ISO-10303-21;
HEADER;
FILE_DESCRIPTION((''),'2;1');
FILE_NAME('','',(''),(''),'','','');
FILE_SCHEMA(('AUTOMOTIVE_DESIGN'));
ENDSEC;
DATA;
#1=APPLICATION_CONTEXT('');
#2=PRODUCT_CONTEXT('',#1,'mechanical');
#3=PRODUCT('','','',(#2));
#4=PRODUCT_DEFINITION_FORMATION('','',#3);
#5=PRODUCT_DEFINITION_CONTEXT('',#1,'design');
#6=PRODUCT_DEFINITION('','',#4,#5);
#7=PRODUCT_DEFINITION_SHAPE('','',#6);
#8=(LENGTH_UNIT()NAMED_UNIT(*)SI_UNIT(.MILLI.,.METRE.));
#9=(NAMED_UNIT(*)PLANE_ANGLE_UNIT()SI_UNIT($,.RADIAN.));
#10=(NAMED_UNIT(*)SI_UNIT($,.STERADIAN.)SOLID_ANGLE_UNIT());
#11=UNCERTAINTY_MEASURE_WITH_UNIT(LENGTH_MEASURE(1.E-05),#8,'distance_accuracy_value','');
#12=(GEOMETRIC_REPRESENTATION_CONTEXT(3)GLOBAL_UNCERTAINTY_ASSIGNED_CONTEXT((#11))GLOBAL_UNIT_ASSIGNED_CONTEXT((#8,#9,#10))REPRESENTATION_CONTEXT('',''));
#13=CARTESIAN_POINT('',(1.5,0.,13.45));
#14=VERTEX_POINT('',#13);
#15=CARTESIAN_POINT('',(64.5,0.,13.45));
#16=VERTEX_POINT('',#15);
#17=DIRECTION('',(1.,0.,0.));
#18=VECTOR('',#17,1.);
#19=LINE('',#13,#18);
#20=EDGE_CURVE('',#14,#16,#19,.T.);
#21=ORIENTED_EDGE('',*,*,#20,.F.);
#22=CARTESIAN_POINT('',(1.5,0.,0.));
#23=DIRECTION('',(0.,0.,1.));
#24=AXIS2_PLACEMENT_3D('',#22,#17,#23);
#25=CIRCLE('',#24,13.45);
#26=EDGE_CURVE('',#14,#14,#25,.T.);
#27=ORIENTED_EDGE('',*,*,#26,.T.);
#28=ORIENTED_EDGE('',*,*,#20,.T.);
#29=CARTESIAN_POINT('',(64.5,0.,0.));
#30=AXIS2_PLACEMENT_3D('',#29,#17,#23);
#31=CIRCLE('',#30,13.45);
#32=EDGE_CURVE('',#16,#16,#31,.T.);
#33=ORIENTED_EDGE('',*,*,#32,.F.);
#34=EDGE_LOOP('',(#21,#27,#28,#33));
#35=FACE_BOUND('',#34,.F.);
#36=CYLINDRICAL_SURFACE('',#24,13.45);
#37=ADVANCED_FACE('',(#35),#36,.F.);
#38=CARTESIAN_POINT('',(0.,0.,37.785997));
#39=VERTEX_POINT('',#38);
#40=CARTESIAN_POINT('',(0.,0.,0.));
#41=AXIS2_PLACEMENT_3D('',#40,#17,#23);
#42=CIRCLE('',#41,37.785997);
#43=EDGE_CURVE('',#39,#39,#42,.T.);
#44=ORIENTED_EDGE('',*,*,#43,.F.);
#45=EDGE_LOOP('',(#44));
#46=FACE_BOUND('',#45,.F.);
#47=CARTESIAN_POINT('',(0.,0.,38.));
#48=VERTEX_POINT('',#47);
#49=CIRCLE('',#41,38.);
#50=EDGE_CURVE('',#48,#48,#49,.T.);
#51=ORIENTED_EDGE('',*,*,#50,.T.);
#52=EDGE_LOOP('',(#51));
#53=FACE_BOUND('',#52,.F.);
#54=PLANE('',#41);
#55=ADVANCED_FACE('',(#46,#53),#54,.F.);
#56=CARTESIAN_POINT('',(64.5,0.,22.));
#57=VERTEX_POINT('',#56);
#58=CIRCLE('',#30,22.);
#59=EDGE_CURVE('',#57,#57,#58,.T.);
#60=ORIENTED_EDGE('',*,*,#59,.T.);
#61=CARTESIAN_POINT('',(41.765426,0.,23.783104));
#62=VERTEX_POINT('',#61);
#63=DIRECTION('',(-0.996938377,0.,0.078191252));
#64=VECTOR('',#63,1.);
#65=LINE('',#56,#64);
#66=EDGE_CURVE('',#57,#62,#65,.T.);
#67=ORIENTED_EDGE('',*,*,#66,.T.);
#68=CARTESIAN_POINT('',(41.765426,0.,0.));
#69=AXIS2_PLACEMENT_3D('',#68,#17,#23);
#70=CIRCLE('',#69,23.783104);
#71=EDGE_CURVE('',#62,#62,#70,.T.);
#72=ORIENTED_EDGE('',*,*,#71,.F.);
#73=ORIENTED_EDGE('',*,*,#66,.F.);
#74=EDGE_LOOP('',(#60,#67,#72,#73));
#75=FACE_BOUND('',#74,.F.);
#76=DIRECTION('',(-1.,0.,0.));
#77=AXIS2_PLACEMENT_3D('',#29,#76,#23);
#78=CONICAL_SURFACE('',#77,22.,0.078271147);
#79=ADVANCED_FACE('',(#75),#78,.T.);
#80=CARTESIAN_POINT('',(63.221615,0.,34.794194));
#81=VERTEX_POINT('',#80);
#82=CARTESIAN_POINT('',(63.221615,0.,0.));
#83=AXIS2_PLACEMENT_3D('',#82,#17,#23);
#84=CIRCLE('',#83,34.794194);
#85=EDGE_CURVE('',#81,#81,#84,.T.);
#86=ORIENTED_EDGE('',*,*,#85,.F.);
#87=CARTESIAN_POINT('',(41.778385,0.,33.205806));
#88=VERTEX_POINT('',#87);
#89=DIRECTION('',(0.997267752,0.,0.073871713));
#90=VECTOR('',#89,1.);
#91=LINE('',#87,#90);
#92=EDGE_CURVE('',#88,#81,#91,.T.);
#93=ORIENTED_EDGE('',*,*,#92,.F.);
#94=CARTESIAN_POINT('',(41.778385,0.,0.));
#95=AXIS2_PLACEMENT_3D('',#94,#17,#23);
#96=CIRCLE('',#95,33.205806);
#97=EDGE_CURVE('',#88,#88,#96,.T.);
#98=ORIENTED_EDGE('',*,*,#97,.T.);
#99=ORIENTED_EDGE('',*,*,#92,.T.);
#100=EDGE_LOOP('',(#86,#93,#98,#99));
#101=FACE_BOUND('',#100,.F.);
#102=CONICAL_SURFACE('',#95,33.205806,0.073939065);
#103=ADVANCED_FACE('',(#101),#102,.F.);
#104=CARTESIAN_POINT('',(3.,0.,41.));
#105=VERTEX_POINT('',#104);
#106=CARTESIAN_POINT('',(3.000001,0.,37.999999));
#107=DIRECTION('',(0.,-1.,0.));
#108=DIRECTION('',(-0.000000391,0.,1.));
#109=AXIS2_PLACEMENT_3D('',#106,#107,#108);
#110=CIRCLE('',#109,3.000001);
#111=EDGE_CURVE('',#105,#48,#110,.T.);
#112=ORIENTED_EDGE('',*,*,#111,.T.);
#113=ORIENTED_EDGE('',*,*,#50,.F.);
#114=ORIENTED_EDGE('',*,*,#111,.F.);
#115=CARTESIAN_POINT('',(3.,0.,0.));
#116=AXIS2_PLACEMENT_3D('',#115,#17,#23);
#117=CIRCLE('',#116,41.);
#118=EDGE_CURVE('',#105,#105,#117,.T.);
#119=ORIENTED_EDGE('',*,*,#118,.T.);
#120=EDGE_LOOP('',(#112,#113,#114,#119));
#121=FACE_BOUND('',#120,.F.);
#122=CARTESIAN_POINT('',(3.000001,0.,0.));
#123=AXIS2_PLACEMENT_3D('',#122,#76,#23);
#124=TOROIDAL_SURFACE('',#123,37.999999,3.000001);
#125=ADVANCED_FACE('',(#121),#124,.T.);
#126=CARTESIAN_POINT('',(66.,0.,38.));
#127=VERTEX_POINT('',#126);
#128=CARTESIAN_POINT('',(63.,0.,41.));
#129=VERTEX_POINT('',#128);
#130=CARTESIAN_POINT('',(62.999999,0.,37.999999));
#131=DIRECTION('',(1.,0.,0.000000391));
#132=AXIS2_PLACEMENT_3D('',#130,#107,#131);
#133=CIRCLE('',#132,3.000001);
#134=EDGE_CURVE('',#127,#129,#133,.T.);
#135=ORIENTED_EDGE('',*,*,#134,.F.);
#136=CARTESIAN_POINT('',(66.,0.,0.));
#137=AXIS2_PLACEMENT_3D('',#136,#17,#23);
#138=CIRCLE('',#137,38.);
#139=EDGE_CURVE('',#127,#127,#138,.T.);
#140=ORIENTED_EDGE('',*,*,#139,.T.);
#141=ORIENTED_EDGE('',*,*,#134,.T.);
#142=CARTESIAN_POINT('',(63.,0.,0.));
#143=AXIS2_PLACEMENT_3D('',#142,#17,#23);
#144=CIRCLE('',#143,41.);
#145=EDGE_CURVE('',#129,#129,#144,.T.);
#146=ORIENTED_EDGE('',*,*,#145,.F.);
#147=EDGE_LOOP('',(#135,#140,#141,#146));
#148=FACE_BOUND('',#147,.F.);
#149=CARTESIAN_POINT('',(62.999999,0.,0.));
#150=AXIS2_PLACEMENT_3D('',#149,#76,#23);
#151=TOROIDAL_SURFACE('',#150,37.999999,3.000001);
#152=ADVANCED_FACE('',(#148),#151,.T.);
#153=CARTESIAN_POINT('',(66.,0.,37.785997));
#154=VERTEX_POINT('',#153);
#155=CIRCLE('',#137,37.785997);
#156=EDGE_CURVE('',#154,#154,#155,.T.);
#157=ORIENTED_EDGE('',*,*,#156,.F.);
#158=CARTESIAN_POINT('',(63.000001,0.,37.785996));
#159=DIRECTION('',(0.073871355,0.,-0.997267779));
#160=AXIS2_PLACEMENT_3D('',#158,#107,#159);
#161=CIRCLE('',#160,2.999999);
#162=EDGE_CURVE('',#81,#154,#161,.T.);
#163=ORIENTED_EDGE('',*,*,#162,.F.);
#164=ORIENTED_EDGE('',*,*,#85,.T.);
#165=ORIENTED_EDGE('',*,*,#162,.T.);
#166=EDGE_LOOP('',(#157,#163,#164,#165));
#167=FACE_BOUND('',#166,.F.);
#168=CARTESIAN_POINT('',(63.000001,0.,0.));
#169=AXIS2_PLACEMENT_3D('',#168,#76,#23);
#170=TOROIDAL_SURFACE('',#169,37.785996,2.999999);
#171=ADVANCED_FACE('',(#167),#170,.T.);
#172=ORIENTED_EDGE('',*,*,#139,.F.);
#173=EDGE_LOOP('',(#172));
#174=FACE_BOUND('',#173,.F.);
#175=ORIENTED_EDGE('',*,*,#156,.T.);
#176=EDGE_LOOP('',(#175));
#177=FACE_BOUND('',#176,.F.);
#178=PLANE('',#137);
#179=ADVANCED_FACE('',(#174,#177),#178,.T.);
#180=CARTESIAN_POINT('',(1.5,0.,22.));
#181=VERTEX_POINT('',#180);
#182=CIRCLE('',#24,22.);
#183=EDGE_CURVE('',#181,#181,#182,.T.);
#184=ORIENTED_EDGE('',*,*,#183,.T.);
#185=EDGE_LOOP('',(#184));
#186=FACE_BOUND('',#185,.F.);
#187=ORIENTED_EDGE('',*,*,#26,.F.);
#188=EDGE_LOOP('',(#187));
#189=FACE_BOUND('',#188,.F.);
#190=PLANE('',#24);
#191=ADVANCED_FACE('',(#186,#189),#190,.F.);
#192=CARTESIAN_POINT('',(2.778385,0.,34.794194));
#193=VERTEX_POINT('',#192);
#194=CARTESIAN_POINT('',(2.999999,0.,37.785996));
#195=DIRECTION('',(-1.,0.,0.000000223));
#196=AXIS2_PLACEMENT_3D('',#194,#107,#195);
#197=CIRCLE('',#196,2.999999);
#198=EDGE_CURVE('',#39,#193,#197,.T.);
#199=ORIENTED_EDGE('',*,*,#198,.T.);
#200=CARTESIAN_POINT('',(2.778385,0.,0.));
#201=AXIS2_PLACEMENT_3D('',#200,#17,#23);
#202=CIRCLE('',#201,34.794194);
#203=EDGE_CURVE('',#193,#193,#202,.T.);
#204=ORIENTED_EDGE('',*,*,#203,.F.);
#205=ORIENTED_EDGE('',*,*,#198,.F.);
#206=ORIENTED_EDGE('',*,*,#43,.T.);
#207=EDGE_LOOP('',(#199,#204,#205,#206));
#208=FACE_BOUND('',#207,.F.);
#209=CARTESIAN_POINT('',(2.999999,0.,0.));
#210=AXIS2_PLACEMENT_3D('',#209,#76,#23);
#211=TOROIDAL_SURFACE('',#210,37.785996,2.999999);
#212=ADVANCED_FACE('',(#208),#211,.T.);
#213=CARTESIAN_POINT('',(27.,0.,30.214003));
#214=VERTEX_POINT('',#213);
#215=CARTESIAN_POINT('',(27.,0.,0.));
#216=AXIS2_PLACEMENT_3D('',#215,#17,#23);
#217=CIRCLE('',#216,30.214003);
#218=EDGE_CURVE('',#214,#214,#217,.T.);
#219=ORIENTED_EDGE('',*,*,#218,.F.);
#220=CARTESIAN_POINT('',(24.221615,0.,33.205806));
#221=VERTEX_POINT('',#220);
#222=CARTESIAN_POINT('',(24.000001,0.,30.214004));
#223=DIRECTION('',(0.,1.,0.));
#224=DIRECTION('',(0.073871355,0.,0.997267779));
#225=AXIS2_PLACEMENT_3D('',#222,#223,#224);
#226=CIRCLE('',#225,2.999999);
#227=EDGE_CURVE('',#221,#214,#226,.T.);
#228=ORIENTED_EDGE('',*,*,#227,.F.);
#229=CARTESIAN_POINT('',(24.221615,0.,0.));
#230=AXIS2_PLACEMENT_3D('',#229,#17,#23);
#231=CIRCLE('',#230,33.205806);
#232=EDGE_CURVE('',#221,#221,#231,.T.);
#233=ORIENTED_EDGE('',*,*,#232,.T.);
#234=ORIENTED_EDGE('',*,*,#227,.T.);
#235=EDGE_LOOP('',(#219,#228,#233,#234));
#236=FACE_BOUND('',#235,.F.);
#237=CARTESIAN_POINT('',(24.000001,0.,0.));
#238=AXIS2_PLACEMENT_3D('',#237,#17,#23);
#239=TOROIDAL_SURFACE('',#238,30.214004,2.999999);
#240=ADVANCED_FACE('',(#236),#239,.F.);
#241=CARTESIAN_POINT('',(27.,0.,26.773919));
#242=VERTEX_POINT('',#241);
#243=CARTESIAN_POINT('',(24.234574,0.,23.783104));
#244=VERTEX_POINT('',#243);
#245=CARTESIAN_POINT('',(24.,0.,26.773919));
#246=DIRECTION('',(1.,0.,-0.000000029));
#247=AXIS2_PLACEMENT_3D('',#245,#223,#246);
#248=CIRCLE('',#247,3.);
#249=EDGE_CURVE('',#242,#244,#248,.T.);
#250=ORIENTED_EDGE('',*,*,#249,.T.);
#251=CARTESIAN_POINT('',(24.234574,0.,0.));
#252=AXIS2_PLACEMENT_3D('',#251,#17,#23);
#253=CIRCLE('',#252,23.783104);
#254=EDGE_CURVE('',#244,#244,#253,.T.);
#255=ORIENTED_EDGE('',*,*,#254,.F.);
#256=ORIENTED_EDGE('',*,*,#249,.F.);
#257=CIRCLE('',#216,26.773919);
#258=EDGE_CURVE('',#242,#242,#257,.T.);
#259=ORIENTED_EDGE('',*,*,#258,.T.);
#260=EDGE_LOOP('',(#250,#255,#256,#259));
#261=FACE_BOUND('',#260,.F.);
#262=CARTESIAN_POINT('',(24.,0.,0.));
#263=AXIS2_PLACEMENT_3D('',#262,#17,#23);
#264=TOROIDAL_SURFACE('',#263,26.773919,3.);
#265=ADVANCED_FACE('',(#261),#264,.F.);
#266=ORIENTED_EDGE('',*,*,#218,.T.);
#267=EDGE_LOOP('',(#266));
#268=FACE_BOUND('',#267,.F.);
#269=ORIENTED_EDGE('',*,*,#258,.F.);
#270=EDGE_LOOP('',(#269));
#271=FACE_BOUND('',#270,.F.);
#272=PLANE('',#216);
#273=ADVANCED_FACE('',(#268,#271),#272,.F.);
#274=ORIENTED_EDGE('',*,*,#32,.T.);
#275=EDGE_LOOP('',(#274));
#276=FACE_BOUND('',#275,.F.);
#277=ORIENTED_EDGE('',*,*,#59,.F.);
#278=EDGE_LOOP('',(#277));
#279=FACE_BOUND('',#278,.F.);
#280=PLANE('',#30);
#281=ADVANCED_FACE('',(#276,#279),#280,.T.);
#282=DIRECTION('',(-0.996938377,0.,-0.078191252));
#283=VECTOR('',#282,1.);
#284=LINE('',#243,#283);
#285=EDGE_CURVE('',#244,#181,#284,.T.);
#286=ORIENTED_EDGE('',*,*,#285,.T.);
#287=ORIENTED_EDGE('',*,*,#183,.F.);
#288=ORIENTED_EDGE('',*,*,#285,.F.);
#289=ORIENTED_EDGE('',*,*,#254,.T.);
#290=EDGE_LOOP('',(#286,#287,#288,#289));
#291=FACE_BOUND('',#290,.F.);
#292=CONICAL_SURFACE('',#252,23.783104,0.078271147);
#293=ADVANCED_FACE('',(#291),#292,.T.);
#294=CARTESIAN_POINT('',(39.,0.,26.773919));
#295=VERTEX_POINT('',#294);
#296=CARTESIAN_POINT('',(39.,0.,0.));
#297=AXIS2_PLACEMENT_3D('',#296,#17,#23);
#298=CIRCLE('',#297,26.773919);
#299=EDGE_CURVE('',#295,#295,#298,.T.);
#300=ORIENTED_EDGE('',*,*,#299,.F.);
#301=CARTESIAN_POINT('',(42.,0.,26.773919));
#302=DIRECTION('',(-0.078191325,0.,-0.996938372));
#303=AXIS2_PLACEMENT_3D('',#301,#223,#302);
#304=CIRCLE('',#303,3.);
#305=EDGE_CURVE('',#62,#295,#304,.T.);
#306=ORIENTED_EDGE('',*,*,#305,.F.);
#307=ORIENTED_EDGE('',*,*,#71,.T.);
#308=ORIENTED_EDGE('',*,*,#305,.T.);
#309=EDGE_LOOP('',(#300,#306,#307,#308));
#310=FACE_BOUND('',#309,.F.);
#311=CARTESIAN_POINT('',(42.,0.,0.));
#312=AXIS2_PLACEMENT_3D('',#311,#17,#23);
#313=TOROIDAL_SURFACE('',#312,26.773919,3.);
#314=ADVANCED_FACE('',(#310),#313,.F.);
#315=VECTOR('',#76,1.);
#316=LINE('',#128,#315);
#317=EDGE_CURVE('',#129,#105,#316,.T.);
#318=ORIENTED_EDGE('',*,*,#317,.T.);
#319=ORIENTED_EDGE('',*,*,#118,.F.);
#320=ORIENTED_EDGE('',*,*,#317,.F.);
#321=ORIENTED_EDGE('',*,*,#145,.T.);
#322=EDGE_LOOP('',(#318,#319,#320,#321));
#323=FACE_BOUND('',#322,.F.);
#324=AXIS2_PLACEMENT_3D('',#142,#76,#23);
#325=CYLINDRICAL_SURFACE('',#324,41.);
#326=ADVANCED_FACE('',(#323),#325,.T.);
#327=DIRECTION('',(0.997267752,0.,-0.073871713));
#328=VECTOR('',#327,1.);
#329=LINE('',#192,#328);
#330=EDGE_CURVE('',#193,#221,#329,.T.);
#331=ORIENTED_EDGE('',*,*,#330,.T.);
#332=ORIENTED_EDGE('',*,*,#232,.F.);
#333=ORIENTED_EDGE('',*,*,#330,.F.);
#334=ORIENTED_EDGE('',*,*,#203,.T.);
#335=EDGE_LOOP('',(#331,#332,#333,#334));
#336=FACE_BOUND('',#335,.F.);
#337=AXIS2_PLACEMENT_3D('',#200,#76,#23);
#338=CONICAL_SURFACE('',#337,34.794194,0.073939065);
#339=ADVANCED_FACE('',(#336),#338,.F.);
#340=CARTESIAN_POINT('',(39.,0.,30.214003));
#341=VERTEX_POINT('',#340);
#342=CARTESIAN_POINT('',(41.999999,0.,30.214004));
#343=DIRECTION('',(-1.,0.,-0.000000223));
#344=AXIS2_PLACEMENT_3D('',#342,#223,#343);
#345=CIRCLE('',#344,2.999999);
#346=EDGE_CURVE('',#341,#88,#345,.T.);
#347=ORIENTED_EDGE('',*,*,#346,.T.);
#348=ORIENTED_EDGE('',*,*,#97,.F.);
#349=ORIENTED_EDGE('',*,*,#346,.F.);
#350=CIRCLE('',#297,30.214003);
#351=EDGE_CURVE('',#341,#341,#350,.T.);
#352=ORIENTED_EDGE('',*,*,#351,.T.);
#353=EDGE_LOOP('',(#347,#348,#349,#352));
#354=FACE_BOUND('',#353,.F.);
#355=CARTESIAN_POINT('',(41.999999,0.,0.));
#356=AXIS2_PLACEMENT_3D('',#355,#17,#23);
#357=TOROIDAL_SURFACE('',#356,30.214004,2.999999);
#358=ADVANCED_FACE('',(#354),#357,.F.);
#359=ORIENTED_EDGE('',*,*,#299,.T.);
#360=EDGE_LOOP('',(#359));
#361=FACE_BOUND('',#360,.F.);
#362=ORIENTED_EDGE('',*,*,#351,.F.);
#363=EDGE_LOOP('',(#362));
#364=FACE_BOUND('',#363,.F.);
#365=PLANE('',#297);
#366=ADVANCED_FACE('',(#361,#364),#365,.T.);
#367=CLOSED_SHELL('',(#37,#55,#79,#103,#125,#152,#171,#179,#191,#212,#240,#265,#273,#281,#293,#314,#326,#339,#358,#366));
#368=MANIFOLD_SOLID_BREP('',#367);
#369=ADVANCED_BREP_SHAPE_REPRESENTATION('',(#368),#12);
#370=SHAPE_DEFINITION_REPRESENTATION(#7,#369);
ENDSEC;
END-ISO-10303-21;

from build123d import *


with BuildPart() as f1:
    # F0 (on Front) → F1 (revolve)
    with BuildSketch(Plane.XZ):
        with BuildLine():
            Line((1.5, 13.45), (64.5, 13.45))
            Line((64.5, 13.45), (64.5, 22))
            Line((64.5, 22), (41.765426, 23.783104))
            ThreePointArc((41.765426, 23.783104), (39.797306, 24.737221), (39, 26.773919))
            Line((39, 26.773919), (39, 30.214003))
            ThreePointArc((39, 30.214003), (39.801723, 32.255468), (41.778385, 33.205806))
            Line((41.778385, 33.205806), (63.221615, 34.794194))
            ThreePointArc((63.221615, 34.794194), (65.198277, 35.744532), (66, 37.785997))
            Line((66, 37.785997), (66, 38))
            ThreePointArc((66, 38), (65.12132, 40.12132), (63, 41))
            Line((63, 41), (3, 41))
            ThreePointArc((3, 41), (0.87868, 40.12132), (0, 38))
            Line((0, 38), (0, 37.785997))
            ThreePointArc((0, 37.785997), (0.801723, 35.744532), (2.778385, 34.794194))
            Line((2.778385, 34.794194), (24.221615, 33.205806))
            ThreePointArc((24.221615, 33.205806), (26.198277, 32.255468), (27, 30.214003))
            Line((27, 30.214003), (27, 26.773919))
            ThreePointArc((27, 26.773919), (26.202694, 24.737221), (24.234574, 23.783104))
            Line((24.234574, 23.783104), (1.5, 22))
            Line((1.5, 22), (1.5, 13.45))
        make_face()
    revolve(axis=Axis((25.993224, 0, 0), (1, 0, 0)))


solid = f1.part
